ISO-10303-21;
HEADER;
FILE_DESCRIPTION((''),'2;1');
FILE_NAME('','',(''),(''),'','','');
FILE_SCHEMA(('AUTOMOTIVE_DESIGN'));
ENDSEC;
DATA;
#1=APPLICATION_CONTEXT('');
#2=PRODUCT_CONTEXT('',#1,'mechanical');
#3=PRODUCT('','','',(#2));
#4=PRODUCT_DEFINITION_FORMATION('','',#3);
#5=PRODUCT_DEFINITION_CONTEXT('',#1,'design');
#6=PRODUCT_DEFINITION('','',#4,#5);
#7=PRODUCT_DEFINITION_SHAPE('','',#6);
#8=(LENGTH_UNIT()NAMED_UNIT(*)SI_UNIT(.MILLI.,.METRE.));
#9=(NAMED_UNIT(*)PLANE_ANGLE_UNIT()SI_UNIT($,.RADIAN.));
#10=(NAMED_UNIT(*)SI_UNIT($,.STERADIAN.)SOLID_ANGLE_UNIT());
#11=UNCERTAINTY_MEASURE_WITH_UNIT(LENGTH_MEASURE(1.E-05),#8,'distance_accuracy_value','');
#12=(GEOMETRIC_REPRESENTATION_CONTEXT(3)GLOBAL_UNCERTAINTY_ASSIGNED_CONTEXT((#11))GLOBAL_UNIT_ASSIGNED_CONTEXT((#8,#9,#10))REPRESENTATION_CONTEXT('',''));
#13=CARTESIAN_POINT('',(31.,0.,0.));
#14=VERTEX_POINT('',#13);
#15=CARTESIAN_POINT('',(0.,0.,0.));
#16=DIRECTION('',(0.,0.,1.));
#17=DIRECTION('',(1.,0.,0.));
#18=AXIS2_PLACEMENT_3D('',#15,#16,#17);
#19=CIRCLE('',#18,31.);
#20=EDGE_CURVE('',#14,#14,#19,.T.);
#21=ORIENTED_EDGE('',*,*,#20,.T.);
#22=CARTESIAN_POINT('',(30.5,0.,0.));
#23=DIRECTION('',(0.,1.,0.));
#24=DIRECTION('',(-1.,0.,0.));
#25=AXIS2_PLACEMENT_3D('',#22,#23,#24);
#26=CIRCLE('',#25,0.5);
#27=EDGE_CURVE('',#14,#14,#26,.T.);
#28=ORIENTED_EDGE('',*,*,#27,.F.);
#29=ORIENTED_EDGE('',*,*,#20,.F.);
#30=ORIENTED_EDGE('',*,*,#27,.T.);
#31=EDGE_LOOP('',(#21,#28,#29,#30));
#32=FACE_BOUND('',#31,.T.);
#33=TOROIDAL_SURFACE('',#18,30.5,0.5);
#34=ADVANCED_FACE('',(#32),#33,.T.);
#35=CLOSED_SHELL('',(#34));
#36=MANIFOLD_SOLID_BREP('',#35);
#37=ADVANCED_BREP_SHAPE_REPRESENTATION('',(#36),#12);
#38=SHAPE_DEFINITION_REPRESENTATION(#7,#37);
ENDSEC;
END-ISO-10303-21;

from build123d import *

# Parameters (mm, degrees)
SWEEP1_PROFILE_R = 0.5


with BuildPart() as part:
    # Sweep1: sweep along a path in Sketch1
    with BuildLine(Plane.XY) as sweep1_path:
        CenterArc((0, 0), 30.5, 0, 360)
    # Sweep1 profile (on start of the path) → Sweep1 (sweep)
    with BuildSketch(Plane(origin=(30.5, 0, 0), x_dir=(0, 0, 1), z_dir=(0, 1, 0))):
        Circle(SWEEP1_PROFILE_R)
    sweep(path=sweep1_path.line)


solid = part.part
